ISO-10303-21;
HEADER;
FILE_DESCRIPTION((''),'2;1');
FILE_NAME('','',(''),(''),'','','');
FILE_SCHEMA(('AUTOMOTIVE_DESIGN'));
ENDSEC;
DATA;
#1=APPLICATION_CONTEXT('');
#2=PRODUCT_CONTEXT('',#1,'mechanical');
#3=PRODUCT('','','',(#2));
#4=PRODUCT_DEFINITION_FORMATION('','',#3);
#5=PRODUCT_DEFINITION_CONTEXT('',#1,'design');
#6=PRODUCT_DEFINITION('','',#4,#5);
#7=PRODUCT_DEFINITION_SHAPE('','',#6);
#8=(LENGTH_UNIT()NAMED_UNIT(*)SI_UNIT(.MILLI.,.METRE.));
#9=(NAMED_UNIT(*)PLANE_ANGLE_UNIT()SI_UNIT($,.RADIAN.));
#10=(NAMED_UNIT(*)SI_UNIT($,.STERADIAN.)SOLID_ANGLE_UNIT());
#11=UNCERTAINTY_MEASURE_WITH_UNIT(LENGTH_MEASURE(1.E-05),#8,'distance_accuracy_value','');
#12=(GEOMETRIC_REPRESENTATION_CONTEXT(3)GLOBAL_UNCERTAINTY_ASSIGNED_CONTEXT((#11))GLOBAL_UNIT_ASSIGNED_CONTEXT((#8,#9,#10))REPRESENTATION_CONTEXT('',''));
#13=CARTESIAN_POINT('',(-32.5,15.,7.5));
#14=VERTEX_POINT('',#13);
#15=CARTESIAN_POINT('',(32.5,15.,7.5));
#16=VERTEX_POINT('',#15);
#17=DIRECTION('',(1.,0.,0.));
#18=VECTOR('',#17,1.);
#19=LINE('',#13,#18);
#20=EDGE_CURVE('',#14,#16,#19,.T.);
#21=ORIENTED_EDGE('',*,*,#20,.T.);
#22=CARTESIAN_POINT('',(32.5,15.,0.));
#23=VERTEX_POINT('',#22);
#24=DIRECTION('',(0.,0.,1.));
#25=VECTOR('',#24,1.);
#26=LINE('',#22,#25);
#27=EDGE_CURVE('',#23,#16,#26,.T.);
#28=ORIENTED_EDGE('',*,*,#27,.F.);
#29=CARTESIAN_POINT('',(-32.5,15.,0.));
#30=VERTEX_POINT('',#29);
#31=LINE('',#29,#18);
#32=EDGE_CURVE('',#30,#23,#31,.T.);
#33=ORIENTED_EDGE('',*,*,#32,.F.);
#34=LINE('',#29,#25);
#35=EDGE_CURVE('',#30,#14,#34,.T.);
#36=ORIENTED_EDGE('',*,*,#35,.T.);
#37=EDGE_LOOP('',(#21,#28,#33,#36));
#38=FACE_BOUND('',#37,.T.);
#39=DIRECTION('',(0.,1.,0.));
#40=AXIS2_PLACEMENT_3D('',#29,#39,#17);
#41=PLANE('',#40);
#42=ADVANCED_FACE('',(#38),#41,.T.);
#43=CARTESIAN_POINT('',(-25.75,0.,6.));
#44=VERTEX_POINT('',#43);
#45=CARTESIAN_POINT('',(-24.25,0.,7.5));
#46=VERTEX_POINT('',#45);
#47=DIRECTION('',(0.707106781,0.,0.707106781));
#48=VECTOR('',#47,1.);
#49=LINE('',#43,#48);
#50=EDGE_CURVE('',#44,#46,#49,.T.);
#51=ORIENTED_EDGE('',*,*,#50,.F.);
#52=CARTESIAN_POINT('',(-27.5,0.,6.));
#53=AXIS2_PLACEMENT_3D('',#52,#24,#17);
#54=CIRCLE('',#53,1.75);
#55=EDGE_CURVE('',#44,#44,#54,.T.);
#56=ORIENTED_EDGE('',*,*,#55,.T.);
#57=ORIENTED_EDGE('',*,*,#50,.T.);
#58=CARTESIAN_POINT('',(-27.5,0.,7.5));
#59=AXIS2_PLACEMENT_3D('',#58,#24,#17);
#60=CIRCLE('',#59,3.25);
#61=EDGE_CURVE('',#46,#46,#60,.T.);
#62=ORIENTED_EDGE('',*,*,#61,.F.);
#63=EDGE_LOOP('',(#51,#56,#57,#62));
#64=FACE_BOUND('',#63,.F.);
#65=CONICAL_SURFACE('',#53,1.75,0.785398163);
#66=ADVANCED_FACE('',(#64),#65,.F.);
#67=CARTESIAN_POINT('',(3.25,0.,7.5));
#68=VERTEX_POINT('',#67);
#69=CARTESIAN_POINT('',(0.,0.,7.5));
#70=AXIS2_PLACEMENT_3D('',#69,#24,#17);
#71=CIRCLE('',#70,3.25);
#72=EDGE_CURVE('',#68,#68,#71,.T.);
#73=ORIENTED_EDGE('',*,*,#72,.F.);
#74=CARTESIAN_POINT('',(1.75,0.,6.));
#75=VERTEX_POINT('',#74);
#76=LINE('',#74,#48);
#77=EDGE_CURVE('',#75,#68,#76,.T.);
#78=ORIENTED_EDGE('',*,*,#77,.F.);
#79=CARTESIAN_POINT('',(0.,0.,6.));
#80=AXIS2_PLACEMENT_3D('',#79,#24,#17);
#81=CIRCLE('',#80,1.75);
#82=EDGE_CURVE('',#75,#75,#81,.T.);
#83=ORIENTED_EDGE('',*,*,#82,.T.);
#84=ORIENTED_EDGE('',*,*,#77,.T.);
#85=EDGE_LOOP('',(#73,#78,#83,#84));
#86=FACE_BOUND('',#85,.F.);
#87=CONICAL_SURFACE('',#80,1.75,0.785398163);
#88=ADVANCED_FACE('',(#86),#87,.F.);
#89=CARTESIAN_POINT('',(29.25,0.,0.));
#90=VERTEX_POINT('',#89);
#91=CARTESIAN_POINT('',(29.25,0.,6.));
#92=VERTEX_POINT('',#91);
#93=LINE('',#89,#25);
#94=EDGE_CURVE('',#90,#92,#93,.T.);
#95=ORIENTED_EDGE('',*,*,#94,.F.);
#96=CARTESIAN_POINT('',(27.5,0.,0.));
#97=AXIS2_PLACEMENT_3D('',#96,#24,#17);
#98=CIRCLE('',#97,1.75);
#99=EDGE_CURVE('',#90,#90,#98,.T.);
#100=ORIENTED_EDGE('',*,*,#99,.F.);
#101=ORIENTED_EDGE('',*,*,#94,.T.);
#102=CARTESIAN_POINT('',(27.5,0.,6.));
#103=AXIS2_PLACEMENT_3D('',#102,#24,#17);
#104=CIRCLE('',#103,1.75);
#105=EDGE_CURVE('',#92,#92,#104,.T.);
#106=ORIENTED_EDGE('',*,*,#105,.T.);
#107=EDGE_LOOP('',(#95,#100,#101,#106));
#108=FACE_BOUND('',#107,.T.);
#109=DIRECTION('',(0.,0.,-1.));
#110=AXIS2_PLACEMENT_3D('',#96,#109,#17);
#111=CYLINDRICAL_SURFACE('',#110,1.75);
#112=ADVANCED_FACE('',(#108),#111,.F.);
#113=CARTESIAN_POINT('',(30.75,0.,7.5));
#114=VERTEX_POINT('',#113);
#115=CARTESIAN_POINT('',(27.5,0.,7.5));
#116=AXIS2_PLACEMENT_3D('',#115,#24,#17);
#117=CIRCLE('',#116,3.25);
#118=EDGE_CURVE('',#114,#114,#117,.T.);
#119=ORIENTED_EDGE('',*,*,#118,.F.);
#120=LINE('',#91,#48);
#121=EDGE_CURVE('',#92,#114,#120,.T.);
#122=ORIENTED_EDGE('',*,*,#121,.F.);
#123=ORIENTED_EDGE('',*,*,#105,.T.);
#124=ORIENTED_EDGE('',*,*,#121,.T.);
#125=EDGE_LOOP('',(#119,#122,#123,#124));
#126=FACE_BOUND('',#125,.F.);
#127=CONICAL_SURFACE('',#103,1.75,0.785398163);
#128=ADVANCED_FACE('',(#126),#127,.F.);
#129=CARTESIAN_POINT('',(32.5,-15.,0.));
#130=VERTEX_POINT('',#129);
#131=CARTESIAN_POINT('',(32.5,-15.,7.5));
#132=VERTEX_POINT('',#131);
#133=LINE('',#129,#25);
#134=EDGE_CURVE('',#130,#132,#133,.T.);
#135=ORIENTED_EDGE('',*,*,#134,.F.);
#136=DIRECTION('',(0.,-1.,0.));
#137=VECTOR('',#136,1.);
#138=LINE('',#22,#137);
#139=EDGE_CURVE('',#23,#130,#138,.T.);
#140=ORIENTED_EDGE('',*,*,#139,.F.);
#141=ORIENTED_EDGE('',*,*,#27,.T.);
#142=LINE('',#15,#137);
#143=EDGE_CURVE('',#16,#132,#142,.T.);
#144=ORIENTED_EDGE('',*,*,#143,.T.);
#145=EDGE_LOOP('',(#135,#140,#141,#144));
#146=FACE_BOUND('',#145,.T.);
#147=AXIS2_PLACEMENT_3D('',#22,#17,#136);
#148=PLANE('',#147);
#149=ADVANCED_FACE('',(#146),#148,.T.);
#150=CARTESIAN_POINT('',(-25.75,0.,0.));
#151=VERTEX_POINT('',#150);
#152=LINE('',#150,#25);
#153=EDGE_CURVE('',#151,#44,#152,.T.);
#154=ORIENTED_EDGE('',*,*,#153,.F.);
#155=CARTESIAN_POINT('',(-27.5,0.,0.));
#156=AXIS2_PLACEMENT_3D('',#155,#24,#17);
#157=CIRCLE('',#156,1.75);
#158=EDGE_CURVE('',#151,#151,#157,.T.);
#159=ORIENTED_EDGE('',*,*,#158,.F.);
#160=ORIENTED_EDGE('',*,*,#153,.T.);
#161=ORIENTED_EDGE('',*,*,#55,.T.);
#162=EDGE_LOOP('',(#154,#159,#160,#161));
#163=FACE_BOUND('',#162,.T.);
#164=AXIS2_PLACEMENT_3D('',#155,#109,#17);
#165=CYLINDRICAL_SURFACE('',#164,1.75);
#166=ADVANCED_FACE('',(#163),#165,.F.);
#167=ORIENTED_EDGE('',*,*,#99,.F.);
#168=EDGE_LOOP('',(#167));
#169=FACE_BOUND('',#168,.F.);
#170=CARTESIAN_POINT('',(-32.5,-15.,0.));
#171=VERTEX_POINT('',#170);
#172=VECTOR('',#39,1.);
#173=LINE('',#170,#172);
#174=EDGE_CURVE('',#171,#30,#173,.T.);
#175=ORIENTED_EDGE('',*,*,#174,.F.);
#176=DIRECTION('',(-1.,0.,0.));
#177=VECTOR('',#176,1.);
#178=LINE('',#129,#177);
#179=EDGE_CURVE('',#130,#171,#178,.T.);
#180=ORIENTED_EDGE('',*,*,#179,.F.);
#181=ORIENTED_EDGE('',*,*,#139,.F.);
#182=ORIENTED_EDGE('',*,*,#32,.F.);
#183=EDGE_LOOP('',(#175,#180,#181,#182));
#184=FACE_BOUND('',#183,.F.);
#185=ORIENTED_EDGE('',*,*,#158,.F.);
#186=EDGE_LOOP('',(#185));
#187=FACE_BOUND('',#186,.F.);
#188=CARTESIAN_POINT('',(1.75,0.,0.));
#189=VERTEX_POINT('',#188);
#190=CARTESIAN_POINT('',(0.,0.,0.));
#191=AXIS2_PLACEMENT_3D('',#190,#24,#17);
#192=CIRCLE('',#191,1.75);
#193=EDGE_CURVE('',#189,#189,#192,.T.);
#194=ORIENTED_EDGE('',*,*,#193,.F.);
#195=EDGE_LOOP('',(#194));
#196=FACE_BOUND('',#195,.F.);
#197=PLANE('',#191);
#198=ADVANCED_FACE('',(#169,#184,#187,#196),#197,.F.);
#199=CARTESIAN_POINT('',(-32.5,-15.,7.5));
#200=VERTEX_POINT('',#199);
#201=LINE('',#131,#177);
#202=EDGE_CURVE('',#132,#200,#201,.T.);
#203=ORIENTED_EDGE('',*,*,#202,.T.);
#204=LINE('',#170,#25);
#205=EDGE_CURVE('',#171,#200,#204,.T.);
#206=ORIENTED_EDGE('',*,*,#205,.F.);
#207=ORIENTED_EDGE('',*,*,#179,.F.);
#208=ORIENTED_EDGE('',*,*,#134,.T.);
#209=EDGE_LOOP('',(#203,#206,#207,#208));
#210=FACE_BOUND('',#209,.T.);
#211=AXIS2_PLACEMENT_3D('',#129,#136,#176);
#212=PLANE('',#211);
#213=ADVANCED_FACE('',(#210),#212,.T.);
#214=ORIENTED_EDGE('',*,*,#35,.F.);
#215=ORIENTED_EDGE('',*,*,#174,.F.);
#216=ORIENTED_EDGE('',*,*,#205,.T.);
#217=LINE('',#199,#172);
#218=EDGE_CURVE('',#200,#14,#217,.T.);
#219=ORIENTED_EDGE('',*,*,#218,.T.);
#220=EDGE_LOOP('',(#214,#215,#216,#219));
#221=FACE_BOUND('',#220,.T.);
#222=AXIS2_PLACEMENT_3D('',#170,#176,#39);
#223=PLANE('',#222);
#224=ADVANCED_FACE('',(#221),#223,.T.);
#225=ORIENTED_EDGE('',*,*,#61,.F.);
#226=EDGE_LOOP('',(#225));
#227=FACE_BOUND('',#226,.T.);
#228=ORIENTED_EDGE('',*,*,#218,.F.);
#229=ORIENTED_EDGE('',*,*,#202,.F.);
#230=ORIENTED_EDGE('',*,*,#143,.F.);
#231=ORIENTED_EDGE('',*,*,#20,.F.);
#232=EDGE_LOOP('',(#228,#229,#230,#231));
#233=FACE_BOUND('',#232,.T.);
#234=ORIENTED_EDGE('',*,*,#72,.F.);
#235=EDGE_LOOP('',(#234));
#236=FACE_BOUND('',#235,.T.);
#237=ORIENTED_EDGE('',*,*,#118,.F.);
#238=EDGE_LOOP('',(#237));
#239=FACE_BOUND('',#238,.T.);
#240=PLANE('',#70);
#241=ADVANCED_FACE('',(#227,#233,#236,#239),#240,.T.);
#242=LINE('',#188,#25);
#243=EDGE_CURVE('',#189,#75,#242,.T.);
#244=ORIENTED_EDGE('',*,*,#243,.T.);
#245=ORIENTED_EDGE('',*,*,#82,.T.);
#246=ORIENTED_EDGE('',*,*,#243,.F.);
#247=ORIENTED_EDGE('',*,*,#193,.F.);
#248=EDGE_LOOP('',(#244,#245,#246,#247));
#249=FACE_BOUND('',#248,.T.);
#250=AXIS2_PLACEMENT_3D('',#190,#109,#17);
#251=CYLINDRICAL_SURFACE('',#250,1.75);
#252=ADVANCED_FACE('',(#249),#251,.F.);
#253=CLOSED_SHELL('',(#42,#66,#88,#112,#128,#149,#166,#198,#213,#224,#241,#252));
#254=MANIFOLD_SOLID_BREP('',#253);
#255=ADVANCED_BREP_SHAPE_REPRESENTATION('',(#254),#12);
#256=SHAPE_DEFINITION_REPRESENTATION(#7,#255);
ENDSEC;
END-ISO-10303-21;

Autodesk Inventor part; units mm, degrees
ref_plane "YZ Plane" through (0, 0, 0) normal (1, 0, 0) x (0, 1, 0)
ref_plane "XZ Plane" through (0, 0, 0) normal (0, 1, 0) x (-1, 0, 0)
ref_plane "XY Plane" through (0, 0, 0) normal (0, 0, 1) x (1, 0, 0)
sketch "Sketch1" plane through (0, 0, 0) normal (0, 0, 1) x (1, 0, 0)
  line L0 (-32.5, 15) -> (32.5, 15)
  line L1 (32.5, 15) -> (32.5, -15)
  line L2 (32.5, -15) -> (-32.5, -15)
  line L3 (-32.5, -15) -> (-32.5, 15)
  circle A0 centre (0, 0) radius 1.75
  circle A1 centre (-27.5, 0) radius 1.75
  circle A2 centre (27.5, 0) radius 1.75
  point P0 (0, 15)
  point P1 (32.5, 0)
  dimension "d0" = 65
  dimension "d1" = 30
  dimension "d2" = 3.5
  dimension "d3" = 5
  dimension "d4" = 5
extrude "Extrusion1" add sketch "Sketch1" along normal blind 7.5
chamfer "Chamfer1" distance 1.5 angle 45 3 edges at (-29.25, 0, 7.5) (-1.75, 0, 7.5) (25.75, 0, 7.5)
